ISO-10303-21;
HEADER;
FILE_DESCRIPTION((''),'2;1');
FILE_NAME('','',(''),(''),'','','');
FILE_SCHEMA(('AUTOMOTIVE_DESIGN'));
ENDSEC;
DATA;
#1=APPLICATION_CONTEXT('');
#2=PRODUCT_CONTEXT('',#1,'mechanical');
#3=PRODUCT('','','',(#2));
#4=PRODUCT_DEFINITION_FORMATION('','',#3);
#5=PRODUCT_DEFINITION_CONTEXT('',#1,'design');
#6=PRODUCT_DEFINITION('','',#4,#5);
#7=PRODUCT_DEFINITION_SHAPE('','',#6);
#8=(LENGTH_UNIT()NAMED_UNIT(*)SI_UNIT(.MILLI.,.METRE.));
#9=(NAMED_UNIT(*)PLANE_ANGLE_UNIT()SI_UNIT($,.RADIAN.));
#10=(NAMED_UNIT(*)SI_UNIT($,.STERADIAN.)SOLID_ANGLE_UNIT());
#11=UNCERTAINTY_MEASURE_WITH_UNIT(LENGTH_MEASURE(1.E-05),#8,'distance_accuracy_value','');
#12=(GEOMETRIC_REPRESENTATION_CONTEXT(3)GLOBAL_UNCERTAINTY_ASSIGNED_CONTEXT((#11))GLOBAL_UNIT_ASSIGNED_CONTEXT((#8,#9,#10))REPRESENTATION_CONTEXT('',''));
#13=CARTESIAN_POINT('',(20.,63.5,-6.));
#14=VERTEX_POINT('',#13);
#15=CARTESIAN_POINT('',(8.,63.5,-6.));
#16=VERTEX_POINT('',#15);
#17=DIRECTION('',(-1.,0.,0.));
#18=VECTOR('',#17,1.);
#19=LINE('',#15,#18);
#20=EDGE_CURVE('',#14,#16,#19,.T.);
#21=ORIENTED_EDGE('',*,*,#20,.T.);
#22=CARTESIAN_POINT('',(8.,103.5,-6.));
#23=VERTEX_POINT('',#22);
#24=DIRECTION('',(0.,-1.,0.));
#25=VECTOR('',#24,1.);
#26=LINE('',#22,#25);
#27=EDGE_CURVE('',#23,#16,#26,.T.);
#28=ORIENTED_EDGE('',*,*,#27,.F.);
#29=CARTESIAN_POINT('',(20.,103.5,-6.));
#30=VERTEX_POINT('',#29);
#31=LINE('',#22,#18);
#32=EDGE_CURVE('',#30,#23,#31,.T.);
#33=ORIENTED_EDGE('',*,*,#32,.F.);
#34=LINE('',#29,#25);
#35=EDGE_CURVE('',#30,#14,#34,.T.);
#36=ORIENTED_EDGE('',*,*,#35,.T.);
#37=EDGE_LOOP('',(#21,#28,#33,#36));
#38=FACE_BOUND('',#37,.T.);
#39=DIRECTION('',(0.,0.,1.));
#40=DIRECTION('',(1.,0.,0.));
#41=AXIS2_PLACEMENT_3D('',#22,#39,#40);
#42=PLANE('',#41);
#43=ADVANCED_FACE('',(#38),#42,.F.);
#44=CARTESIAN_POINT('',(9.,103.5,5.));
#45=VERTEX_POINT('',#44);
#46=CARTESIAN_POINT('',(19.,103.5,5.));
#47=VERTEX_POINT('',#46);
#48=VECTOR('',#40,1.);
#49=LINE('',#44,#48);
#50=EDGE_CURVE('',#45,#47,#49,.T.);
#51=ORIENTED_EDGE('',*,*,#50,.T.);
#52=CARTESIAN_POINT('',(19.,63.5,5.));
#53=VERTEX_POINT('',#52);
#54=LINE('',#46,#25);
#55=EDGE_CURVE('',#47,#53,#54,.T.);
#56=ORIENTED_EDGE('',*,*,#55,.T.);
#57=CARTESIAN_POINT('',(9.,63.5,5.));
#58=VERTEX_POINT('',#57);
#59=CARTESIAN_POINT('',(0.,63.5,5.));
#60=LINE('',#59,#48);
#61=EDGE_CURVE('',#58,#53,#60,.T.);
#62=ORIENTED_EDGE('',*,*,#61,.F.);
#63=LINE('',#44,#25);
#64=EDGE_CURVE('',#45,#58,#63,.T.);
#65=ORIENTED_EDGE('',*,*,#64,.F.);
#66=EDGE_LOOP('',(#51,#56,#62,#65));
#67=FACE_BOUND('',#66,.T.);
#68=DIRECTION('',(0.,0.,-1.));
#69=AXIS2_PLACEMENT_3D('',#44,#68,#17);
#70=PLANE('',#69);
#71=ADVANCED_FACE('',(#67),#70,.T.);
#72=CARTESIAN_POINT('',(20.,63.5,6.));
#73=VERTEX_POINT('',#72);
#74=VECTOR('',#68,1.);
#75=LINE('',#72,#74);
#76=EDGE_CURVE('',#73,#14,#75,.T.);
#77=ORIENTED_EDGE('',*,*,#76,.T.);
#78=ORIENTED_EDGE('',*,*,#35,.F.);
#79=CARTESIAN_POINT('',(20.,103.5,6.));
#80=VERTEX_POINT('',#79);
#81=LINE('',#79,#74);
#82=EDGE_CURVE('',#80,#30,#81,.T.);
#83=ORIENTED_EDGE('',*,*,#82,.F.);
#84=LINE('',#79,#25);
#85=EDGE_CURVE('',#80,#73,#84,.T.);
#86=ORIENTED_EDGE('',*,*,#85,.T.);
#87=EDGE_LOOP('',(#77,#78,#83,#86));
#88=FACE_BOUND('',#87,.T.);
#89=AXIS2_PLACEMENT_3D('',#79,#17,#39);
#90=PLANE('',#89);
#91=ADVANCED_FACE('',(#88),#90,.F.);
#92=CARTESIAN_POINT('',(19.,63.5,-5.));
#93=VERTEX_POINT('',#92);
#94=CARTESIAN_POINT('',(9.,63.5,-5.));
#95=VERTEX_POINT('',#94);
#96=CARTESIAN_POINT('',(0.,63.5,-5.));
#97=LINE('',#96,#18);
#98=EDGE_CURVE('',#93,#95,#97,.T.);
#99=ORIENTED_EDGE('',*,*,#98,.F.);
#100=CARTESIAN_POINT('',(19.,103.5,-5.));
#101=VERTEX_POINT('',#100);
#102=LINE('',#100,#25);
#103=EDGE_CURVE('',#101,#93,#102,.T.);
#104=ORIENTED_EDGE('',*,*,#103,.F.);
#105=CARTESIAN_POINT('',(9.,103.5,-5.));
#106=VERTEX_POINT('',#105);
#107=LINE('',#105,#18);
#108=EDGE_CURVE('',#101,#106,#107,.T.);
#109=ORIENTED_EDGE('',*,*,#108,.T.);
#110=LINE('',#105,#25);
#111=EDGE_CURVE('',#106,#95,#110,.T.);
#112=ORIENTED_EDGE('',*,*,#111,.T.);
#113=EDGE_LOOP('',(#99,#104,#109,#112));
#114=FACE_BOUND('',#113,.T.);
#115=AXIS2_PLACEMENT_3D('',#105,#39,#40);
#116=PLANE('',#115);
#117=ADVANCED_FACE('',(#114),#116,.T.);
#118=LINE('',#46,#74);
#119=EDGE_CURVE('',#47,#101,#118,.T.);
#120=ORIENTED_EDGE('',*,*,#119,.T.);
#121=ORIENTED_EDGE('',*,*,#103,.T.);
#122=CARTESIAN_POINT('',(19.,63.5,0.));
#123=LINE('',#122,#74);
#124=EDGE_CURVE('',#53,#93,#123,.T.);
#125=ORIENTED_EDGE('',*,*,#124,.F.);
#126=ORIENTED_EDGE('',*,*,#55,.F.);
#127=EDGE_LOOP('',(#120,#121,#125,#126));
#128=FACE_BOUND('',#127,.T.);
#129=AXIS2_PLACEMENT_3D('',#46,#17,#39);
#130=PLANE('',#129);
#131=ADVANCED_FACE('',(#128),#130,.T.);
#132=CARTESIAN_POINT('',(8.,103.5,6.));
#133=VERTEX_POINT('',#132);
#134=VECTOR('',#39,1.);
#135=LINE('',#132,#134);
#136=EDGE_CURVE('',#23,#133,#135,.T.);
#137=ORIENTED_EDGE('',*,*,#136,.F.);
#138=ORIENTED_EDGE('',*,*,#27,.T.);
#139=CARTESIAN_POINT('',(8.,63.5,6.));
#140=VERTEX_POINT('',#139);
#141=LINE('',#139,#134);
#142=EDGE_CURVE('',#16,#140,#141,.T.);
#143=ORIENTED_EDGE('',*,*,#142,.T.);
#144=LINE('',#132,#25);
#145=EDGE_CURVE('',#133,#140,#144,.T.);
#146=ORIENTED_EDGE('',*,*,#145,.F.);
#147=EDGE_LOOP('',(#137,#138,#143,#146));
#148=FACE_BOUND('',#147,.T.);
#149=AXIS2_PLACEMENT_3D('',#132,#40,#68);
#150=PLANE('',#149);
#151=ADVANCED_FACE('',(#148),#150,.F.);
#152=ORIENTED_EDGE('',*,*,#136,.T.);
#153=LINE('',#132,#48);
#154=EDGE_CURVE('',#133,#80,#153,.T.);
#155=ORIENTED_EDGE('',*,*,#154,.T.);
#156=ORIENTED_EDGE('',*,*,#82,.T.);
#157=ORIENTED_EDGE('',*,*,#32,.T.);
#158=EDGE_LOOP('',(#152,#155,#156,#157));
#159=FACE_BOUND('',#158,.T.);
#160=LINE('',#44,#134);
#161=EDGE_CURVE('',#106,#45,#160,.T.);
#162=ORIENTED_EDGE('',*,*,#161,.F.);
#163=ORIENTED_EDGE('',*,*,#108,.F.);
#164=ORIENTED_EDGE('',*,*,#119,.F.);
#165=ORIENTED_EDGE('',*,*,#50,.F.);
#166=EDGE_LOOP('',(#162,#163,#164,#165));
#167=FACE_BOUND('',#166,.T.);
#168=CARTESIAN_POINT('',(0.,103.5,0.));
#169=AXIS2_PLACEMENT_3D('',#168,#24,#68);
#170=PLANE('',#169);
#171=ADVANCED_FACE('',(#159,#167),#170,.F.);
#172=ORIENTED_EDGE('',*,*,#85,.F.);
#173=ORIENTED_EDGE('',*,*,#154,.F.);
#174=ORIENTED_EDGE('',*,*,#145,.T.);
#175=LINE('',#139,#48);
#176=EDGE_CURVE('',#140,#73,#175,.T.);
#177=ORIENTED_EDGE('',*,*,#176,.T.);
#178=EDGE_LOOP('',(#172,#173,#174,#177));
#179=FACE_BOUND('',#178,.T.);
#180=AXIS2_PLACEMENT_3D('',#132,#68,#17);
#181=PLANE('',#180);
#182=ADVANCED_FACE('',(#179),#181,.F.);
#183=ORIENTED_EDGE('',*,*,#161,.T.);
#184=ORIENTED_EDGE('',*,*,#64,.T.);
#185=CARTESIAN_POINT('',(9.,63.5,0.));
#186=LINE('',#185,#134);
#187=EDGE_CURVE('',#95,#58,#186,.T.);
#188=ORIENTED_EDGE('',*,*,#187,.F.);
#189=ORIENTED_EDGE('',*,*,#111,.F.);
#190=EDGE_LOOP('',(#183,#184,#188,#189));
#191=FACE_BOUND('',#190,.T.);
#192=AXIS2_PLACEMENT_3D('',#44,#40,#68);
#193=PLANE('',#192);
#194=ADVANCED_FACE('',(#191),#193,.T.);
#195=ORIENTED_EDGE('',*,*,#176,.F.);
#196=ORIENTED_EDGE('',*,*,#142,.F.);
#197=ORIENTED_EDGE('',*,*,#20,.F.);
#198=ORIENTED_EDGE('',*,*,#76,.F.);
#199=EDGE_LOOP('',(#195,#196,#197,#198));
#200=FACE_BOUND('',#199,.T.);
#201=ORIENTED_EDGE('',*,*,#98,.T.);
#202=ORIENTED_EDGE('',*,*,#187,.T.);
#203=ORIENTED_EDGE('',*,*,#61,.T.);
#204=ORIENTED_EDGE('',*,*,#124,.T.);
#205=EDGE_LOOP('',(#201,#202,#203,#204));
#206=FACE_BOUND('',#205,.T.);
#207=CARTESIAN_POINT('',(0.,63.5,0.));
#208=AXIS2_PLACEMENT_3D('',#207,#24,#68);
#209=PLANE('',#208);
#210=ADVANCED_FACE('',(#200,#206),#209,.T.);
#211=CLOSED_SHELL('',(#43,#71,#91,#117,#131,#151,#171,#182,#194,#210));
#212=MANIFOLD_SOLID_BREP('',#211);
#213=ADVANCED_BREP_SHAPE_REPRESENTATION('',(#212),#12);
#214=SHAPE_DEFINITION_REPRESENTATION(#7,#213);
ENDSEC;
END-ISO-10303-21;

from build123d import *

# Parameters (mm, degrees)
CHANNEL_START              = 63.5
SKETCH1_W                  = 12
SKETCH1_H                  = 12
CHANNEL_DEPTH              = 40
LIGHT_PATH_10MM_DEPTH      = 106.585273594
LIGHT_PATH_10MM_DEPTH_BACK = 106.585273594
SKETCH2_W                  = 10
SKETCH2_H                  = 10


with BuildPart() as part:
    # Sketch1 → Channel (new body)
    with BuildSketch(Plane(origin=(0, 0, 0), x_dir=(1, 0, 0), z_dir=(0, 1, 0)).offset(CHANNEL_START)):
        with Locations((14, 0)):
            Rectangle(SKETCH1_W, SKETCH1_H)
    extrude(amount=CHANNEL_DEPTH)

    # Sketch2 → Light_Path_10mm (cut, two sides: drawn at the far end of the back side and taken through both)
    with BuildSketch(Plane(origin=(0, 0, 0), x_dir=(1, 0, 0), z_dir=(0, 1, 0)).offset(-LIGHT_PATH_10MM_DEPTH_BACK)):
        with Locations((14, 0)):
            Rectangle(SKETCH2_W, SKETCH2_H)
    extrude(amount=LIGHT_PATH_10MM_DEPTH + LIGHT_PATH_10MM_DEPTH_BACK, mode=Mode.SUBTRACT)


solid = part.part
